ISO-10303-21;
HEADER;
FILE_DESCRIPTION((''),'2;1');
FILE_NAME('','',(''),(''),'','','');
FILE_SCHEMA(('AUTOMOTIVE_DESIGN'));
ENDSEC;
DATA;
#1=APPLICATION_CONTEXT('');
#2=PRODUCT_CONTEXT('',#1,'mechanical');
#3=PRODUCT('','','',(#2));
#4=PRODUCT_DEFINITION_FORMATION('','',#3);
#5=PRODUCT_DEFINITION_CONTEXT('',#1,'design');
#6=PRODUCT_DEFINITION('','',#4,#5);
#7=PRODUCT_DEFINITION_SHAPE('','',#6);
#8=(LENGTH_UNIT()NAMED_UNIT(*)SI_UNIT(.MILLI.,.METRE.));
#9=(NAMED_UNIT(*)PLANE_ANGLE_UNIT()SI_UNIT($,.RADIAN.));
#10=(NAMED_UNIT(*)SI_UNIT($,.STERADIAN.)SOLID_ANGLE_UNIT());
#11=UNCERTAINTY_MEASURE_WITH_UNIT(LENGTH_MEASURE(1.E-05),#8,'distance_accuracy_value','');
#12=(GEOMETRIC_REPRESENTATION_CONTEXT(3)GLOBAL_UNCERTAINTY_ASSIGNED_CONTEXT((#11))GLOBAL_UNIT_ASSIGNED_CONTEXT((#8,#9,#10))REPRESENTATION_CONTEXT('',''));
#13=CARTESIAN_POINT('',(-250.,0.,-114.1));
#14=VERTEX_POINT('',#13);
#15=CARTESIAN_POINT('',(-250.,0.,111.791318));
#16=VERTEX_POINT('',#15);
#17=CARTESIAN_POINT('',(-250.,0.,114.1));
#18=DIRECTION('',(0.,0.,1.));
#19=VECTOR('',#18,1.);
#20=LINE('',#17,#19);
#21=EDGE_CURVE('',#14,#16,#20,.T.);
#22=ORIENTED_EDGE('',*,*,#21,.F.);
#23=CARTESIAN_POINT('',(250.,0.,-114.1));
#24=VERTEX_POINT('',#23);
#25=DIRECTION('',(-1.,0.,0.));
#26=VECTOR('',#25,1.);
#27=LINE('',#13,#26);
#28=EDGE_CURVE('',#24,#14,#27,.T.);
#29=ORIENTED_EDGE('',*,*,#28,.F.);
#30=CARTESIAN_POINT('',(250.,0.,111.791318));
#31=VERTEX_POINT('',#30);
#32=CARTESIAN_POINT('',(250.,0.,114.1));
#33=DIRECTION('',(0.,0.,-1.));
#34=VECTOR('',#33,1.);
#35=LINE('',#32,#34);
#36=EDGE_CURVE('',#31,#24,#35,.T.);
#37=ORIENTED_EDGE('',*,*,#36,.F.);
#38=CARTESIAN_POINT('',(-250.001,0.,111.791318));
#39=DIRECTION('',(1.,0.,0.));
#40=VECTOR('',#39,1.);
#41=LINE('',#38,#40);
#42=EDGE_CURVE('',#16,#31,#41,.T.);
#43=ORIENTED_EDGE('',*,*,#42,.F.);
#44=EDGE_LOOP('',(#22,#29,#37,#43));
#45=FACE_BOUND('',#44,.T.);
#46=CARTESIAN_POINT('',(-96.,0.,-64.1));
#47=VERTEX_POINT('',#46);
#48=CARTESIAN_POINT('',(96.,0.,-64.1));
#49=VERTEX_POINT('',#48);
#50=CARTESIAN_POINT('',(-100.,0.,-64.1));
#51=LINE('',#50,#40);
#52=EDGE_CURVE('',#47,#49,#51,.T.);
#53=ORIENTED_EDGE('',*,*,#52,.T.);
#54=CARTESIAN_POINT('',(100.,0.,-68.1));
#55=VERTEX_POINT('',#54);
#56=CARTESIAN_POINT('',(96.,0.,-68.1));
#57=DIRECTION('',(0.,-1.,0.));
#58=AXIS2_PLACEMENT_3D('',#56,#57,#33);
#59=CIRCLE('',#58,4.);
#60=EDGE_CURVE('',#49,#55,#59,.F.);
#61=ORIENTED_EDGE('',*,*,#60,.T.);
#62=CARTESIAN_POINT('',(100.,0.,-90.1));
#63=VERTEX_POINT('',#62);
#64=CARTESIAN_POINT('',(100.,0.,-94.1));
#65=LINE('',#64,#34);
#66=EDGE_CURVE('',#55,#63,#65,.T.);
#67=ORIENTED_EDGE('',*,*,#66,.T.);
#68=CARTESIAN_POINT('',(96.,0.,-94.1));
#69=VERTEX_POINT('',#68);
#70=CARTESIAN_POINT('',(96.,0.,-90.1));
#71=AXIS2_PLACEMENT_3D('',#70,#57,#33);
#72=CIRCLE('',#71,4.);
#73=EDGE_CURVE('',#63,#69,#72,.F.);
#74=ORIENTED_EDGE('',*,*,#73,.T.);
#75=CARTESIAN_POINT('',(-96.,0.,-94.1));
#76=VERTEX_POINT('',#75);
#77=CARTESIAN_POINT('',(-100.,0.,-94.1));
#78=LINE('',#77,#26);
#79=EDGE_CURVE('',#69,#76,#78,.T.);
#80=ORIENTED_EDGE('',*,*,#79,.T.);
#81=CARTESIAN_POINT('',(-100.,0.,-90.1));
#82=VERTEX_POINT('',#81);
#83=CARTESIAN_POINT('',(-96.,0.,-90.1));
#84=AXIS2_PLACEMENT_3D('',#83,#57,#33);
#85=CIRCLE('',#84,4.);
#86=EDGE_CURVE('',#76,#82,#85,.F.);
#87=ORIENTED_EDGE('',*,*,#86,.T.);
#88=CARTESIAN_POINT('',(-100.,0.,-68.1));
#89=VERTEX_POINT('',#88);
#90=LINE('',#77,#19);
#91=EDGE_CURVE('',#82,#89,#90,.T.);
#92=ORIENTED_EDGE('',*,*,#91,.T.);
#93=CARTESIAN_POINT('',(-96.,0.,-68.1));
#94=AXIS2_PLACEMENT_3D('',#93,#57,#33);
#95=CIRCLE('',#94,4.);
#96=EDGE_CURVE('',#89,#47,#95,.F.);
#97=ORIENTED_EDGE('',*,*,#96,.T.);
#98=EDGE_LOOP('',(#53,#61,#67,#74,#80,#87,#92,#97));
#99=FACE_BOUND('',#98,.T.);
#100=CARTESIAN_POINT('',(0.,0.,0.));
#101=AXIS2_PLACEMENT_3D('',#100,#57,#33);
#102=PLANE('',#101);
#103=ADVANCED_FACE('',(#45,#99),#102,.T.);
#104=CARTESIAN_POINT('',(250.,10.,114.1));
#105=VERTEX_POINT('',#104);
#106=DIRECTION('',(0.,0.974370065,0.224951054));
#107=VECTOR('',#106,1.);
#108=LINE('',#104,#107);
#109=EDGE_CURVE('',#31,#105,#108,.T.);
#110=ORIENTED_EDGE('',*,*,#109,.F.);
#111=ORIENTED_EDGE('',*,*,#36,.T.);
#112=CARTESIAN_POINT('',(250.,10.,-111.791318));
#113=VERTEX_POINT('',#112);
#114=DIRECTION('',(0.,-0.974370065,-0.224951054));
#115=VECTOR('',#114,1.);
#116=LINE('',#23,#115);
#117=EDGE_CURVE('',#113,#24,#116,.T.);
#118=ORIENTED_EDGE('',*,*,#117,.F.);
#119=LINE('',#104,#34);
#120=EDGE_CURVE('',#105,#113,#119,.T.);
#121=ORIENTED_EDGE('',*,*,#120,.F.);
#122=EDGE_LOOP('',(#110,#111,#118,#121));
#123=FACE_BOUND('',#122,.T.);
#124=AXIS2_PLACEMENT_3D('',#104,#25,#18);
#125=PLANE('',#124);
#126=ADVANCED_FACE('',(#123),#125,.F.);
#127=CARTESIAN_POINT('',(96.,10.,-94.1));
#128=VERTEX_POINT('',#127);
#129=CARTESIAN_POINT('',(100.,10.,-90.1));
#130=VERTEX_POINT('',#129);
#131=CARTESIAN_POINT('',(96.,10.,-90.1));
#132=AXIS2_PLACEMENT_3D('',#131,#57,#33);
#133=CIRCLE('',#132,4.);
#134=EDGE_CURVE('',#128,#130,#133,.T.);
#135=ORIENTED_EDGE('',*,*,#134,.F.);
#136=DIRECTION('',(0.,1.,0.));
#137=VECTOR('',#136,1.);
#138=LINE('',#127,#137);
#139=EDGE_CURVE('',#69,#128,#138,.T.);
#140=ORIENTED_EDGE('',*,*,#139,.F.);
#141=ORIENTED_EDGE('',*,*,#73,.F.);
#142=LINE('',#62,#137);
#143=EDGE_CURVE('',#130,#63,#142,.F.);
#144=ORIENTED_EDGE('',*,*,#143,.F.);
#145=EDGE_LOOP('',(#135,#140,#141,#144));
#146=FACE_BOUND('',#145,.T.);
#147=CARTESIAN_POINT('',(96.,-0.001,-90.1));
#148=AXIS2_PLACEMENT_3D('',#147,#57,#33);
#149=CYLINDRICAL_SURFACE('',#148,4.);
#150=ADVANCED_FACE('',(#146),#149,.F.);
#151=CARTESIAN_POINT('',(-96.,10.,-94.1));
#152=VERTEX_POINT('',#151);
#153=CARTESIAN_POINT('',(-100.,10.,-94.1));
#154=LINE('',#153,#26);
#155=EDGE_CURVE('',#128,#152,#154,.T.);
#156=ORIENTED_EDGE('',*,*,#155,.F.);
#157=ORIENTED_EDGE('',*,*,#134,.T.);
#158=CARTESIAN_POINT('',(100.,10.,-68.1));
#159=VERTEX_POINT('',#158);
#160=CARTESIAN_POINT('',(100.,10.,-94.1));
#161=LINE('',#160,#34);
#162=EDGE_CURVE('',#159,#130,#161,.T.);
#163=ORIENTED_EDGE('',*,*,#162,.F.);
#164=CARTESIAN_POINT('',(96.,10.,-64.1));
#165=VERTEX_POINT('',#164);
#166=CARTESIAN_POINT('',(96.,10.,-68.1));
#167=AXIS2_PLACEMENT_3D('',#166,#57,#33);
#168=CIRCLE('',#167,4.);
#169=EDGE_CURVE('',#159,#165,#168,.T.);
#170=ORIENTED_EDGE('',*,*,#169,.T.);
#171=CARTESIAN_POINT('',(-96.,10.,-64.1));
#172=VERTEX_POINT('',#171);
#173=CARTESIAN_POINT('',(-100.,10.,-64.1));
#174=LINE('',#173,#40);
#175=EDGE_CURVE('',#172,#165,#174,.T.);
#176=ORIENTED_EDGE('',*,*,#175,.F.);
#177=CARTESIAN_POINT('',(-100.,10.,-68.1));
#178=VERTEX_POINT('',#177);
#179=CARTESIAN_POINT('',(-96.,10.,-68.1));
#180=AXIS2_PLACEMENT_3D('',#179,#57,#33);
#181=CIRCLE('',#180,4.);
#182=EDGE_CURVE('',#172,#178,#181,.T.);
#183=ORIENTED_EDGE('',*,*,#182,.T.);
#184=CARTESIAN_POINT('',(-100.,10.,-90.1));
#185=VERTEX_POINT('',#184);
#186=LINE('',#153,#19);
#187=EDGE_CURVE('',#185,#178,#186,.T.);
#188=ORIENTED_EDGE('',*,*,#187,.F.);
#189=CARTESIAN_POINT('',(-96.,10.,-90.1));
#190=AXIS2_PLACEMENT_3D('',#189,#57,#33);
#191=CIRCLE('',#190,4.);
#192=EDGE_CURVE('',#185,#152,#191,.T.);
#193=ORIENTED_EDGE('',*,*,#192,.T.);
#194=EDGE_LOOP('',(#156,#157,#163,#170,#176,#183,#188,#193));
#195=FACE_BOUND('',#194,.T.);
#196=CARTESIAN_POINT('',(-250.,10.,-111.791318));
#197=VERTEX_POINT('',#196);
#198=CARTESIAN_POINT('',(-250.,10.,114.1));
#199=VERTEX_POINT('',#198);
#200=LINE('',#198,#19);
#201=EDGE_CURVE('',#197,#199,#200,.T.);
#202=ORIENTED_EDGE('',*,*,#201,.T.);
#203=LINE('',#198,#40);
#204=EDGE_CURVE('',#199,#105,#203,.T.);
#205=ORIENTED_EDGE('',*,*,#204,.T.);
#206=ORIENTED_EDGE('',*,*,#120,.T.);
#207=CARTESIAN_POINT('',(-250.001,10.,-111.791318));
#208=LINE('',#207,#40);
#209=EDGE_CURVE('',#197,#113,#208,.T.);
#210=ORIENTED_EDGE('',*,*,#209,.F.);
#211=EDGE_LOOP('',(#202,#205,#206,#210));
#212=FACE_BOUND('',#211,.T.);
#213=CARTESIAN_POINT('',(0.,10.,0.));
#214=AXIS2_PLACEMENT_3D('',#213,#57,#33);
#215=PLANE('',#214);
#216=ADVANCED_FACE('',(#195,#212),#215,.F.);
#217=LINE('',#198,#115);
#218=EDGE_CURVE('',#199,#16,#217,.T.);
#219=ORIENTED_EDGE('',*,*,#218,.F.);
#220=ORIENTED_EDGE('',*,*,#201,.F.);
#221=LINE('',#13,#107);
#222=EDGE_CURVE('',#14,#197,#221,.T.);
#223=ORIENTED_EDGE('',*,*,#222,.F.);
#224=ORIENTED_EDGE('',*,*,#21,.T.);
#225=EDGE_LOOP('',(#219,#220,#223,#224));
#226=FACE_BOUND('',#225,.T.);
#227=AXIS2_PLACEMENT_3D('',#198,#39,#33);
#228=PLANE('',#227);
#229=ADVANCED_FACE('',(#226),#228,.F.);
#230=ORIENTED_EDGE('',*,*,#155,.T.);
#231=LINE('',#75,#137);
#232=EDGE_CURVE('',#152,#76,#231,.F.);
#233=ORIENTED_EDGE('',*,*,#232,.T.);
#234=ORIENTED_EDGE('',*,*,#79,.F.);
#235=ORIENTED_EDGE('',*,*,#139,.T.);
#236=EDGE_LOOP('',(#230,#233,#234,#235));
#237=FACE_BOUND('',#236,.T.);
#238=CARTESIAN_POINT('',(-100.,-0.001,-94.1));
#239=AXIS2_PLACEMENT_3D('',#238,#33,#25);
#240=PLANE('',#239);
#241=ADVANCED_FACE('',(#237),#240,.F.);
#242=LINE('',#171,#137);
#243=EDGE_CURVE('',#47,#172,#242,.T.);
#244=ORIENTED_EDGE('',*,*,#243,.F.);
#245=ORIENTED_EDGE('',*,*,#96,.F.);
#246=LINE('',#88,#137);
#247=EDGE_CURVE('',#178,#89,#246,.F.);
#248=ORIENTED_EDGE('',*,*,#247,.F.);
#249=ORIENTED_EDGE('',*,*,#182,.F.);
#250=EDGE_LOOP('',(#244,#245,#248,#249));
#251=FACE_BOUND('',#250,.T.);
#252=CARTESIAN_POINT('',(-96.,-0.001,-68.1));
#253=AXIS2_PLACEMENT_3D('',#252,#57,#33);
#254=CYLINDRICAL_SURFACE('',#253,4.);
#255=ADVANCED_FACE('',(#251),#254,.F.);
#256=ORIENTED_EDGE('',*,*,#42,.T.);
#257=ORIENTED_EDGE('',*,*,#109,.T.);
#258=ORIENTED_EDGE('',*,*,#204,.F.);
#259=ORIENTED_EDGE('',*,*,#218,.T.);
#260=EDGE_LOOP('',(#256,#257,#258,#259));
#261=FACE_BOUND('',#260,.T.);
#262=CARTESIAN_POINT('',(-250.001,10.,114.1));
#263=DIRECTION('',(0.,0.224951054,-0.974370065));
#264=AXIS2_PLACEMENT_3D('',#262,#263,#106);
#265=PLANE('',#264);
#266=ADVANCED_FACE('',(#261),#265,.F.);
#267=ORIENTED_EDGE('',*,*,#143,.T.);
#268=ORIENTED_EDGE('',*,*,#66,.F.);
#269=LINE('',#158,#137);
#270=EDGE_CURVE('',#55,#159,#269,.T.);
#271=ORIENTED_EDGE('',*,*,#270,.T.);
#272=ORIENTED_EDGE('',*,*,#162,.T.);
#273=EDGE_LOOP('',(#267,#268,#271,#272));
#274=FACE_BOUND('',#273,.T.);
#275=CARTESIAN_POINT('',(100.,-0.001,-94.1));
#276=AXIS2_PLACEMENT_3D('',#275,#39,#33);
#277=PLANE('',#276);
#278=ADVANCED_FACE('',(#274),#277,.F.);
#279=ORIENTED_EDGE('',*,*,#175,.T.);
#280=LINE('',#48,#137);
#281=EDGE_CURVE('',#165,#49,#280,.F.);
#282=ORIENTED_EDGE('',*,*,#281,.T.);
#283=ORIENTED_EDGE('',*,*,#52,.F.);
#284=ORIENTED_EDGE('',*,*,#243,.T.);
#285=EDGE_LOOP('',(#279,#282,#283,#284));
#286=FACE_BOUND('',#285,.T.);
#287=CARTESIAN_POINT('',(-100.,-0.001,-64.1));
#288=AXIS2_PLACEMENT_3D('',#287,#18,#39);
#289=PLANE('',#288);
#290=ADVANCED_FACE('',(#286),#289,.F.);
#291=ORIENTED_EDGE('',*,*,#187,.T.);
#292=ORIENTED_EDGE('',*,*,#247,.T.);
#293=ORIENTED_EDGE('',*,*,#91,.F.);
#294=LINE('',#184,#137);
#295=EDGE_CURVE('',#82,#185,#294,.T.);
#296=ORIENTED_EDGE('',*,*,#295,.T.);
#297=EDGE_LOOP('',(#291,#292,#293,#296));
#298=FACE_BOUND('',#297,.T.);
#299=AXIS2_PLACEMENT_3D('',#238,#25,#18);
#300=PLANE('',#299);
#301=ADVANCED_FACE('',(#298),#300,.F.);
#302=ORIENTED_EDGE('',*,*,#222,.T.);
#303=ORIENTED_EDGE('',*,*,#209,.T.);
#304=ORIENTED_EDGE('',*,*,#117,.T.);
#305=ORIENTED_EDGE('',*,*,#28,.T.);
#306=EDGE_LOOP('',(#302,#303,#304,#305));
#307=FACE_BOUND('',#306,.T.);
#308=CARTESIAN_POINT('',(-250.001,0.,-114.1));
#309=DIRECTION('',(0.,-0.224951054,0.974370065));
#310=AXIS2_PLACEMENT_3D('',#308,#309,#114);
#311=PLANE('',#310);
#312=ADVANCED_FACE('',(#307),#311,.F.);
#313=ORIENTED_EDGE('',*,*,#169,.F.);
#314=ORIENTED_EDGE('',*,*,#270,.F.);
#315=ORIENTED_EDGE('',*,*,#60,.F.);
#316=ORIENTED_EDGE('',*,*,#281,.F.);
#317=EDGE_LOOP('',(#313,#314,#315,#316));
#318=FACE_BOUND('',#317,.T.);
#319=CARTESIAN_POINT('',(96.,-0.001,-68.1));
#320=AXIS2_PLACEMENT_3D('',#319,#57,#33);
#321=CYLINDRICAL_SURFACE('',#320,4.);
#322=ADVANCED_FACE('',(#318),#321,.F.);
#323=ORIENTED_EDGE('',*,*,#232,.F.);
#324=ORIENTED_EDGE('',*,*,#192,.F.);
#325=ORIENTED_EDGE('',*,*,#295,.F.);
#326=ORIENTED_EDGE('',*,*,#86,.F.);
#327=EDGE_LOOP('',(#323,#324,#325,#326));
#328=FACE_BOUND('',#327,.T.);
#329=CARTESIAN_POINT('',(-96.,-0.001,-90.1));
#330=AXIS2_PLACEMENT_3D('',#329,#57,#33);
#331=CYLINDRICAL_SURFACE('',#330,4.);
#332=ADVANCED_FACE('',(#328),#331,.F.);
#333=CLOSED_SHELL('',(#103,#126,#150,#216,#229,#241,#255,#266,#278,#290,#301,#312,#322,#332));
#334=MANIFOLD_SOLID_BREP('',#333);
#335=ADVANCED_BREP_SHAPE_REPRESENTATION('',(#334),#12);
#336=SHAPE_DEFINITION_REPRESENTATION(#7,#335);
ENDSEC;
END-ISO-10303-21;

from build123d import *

# Parameters (mm, degrees)
SKETCH2_W           = 500
SKETCH2_H           = 228.2
BOSS_EXTRUDE1_DEPTH = 10
SKETCH3_W           = 200
SKETCH3_H           = 30
CUT_EXTRUDE1_DEPTH  = 10
FILLET1_R           = 4
CUT_EXTRUDE2_REACH  = 502


with BuildPart() as part:
    # Sketch2 → Boss-Extrude1 (new body)
    with BuildSketch(Plane(origin=(0, 0, 0), x_dir=(1, 0, 0), z_dir=(0, 1, 0))):
        Rectangle(SKETCH2_W, SKETCH2_H)
    extrude(amount=BOSS_EXTRUDE1_DEPTH)

    # Sketch3 → Cut-Extrude1 (cut)
    with BuildSketch(Plane(origin=(0, 10, 0), x_dir=(1, 0, 0), z_dir=(0, 1, 0))):
        with Locations((0, 79.1)):
            Rectangle(SKETCH3_W, SKETCH3_H)
    extrude(amount=-CUT_EXTRUDE1_DEPTH, mode=Mode.SUBTRACT)

    # Fillet1
    fillet1_edges = [part.edges().sort_by_distance(p)[0] for p in [
        (100, 5, -94.1),
        (100, 5, -64.1),
        (-100, 5, -64.1),
        (-100, 5, -94.1),
    ]]
    fillet(fillet1_edges, radius=FILLET1_R)

    # Sketch4 → Cut-Extrude2 (cut, up to next)
    with BuildSketch(Plane(origin=(250, 0, 0), x_dir=(0, 0, -1), z_dir=(1, 0, 0)), mode=Mode.PRIVATE) as cut_extrude2_sk1:
        Polygon((114.1, 0), (111.791318089, 10), (114.1, 10), align=None)
    cut_extrude2_tool1 = extrude(cut_extrude2_sk1.sketch, amount=-CUT_EXTRUDE2_REACH, mode=Mode.PRIVATE) & part.part
    add(cut_extrude2_tool1.solids().sort_by_distance((250, 6.666667, -113.330439))[0], mode=Mode.SUBTRACT)
    # Sketch4 → Cut-Extrude2 (cut, up to next)
    with BuildSketch(Plane(origin=(250, 0, 0), x_dir=(0, 0, -1), z_dir=(1, 0, 0)), mode=Mode.PRIVATE) as cut_extrude2_sk2:
        Polygon((-114.1, 0), (-114.1, 10), (-111.791318089, 0), align=None)
    cut_extrude2_tool2 = extrude(cut_extrude2_sk2.sketch, amount=-CUT_EXTRUDE2_REACH, mode=Mode.PRIVATE) & part.part
    add(cut_extrude2_tool2.solids().sort_by_distance((250, 3.333333, 113.330439))[0], mode=Mode.SUBTRACT)


solid = part.part
